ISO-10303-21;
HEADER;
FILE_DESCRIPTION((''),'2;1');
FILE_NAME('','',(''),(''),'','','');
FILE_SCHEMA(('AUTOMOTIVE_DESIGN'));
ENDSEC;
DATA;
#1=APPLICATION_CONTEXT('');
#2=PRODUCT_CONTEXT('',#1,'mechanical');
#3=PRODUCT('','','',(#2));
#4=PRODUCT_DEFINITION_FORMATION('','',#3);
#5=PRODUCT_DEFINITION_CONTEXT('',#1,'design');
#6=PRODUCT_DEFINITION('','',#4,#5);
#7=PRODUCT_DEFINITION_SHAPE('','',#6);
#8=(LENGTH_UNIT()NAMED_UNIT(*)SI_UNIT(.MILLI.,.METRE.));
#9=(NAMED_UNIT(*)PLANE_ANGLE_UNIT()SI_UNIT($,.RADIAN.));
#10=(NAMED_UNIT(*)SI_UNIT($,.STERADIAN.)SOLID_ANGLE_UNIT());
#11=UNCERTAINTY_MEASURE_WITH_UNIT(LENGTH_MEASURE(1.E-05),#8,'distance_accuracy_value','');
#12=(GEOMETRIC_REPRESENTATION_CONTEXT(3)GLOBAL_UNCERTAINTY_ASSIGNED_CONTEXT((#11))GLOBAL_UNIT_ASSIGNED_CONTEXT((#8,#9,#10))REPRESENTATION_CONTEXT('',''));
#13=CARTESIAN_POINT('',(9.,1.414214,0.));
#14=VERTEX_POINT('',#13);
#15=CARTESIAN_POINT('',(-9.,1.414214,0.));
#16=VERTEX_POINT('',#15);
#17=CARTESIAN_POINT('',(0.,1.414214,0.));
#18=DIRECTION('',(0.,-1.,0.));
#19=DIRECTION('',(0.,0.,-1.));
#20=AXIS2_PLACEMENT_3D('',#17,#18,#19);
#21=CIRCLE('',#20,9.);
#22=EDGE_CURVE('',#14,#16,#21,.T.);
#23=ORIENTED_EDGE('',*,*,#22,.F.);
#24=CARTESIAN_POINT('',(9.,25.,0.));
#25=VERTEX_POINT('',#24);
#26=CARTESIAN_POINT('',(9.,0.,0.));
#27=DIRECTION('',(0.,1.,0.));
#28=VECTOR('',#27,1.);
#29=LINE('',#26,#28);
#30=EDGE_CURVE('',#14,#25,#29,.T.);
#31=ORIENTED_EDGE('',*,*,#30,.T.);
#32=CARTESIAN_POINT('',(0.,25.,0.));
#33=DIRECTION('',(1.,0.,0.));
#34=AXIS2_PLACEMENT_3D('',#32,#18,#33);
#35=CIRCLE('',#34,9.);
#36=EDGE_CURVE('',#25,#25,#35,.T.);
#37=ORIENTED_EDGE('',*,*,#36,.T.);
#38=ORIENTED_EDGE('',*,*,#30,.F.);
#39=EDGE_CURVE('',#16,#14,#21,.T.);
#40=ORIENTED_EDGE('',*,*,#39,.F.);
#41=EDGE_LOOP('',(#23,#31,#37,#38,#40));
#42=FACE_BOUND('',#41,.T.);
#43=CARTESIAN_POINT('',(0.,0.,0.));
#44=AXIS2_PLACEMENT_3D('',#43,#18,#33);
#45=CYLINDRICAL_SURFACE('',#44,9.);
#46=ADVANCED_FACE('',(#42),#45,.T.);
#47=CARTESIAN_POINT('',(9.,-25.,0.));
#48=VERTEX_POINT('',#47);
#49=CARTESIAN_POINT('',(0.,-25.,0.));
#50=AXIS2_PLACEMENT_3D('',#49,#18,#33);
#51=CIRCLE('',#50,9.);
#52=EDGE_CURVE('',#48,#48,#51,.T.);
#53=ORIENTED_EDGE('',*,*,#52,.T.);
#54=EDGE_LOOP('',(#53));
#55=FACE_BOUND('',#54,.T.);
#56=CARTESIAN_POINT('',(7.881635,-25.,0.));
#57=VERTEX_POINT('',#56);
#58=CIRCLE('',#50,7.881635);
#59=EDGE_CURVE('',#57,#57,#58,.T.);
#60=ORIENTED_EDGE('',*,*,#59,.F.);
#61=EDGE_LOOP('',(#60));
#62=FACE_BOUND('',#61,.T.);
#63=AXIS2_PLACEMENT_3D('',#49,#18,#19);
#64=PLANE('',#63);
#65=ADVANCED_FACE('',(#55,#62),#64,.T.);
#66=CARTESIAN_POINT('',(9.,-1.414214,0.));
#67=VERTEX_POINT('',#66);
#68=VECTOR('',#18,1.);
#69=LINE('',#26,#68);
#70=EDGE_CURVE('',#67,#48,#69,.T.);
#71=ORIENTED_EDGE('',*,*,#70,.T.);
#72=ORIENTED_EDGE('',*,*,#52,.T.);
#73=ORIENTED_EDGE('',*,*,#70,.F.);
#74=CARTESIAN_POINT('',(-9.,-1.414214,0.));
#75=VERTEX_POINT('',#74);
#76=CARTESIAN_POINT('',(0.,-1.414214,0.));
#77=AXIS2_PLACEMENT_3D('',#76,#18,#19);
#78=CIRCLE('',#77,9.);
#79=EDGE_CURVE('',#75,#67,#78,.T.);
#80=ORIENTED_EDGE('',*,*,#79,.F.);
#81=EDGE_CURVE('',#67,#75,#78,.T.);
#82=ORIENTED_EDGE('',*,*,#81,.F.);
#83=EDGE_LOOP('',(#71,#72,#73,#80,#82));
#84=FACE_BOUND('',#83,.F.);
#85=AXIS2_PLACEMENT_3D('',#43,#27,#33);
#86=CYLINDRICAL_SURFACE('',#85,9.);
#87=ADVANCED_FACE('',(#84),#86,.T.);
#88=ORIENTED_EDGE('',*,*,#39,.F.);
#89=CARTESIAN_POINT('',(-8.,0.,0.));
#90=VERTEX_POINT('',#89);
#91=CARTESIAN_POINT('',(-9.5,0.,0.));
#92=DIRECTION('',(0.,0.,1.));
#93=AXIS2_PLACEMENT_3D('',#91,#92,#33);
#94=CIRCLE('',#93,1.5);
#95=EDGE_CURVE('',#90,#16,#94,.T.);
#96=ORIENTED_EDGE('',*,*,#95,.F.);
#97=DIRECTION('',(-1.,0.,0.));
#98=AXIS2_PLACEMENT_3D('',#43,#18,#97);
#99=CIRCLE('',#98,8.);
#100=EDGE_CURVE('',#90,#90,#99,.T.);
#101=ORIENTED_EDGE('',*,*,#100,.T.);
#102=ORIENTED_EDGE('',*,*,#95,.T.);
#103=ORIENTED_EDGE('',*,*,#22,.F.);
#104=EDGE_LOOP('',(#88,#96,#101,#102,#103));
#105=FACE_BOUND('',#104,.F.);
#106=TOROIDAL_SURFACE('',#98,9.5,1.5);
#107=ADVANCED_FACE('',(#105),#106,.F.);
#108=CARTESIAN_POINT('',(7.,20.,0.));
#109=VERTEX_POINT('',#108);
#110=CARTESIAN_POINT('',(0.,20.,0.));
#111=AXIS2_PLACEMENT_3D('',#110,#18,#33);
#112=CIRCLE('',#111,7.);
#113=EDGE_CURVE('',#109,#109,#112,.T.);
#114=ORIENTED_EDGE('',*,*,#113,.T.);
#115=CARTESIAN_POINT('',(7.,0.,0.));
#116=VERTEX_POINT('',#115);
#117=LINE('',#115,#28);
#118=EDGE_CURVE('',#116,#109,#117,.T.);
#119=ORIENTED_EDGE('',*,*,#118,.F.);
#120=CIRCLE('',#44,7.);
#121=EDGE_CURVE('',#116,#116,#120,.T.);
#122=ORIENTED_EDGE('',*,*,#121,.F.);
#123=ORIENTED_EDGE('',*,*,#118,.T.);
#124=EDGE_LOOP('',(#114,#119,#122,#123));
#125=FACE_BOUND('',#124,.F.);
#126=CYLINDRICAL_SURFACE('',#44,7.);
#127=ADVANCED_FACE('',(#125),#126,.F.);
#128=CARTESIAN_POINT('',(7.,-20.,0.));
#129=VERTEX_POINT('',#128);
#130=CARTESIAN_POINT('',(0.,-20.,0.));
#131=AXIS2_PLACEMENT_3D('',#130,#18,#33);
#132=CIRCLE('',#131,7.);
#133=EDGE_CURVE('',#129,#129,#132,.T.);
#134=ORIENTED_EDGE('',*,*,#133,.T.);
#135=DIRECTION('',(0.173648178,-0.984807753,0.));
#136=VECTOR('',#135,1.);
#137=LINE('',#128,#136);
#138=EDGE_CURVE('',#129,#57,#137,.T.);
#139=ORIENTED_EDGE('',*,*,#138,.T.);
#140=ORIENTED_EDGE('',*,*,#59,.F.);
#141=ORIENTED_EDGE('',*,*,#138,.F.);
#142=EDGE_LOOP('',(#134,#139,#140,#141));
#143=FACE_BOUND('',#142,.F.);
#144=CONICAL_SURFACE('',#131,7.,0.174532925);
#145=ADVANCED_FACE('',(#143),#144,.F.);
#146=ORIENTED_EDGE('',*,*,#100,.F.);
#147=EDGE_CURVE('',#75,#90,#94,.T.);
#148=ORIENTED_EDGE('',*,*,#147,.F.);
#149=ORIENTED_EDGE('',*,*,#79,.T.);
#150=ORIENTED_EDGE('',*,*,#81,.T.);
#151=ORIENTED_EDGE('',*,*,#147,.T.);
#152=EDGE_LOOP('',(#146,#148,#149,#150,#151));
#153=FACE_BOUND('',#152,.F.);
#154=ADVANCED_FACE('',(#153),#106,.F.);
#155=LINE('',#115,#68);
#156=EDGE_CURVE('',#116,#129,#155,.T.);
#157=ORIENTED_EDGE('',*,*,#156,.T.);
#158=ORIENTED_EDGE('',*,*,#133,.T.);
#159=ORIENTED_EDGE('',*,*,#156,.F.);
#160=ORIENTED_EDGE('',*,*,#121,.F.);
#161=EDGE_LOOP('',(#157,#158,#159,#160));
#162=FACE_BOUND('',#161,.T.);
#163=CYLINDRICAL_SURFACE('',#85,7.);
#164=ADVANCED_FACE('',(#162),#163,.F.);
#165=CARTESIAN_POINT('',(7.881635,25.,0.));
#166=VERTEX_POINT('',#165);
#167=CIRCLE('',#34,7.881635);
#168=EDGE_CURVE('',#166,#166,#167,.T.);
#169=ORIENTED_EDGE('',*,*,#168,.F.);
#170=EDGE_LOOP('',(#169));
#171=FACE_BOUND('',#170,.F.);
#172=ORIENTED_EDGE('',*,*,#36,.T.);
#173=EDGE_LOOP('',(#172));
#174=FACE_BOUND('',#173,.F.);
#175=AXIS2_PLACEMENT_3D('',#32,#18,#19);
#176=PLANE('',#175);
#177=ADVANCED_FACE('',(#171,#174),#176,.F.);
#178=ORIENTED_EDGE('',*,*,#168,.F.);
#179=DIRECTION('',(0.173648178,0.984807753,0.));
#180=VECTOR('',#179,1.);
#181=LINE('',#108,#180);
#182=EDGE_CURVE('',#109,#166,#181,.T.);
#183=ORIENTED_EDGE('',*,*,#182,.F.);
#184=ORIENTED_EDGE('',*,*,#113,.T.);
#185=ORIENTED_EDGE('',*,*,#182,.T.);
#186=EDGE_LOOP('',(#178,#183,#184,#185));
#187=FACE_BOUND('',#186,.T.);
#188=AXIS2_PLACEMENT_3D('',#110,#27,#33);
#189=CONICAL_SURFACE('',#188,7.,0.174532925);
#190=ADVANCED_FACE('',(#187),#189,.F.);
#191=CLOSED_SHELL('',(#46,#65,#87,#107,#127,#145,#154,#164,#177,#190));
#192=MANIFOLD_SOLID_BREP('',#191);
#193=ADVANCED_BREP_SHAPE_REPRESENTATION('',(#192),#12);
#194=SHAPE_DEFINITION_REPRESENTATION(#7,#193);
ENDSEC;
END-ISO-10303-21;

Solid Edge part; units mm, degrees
sketch "Sketch1" plane through (0, 0, 0) normal (0, -1, 0) x (1, 0, 0)
  circle A0 centre (0, 0) radius 9
  circle A1 centre (0, 0) radius 7
extrude "Protrusion1" add sketch "Sketch1" along normal mid plane 50
sketch "Sketch2" plane through (0, 0, 0) normal (0, 0, 1) x (1, 0, 0)
  circle A0 centre (-9.5, 0) radius 1.5
  dimension "D1" = 9.5
revolve "RevolvedCutout1" cut sketch "Sketch2" angle 360 about axis through (0, 54, 0) along (0, -1, 0)
chamfer "Chanfro_1" distance 5 angle 10 2 edges at (-7, -25, 0) (-7, 25, 0) measured on face at (3.8737, -20.5833, 5.8304) measured on face at (3.8737, 20.5833, 5.8304)
